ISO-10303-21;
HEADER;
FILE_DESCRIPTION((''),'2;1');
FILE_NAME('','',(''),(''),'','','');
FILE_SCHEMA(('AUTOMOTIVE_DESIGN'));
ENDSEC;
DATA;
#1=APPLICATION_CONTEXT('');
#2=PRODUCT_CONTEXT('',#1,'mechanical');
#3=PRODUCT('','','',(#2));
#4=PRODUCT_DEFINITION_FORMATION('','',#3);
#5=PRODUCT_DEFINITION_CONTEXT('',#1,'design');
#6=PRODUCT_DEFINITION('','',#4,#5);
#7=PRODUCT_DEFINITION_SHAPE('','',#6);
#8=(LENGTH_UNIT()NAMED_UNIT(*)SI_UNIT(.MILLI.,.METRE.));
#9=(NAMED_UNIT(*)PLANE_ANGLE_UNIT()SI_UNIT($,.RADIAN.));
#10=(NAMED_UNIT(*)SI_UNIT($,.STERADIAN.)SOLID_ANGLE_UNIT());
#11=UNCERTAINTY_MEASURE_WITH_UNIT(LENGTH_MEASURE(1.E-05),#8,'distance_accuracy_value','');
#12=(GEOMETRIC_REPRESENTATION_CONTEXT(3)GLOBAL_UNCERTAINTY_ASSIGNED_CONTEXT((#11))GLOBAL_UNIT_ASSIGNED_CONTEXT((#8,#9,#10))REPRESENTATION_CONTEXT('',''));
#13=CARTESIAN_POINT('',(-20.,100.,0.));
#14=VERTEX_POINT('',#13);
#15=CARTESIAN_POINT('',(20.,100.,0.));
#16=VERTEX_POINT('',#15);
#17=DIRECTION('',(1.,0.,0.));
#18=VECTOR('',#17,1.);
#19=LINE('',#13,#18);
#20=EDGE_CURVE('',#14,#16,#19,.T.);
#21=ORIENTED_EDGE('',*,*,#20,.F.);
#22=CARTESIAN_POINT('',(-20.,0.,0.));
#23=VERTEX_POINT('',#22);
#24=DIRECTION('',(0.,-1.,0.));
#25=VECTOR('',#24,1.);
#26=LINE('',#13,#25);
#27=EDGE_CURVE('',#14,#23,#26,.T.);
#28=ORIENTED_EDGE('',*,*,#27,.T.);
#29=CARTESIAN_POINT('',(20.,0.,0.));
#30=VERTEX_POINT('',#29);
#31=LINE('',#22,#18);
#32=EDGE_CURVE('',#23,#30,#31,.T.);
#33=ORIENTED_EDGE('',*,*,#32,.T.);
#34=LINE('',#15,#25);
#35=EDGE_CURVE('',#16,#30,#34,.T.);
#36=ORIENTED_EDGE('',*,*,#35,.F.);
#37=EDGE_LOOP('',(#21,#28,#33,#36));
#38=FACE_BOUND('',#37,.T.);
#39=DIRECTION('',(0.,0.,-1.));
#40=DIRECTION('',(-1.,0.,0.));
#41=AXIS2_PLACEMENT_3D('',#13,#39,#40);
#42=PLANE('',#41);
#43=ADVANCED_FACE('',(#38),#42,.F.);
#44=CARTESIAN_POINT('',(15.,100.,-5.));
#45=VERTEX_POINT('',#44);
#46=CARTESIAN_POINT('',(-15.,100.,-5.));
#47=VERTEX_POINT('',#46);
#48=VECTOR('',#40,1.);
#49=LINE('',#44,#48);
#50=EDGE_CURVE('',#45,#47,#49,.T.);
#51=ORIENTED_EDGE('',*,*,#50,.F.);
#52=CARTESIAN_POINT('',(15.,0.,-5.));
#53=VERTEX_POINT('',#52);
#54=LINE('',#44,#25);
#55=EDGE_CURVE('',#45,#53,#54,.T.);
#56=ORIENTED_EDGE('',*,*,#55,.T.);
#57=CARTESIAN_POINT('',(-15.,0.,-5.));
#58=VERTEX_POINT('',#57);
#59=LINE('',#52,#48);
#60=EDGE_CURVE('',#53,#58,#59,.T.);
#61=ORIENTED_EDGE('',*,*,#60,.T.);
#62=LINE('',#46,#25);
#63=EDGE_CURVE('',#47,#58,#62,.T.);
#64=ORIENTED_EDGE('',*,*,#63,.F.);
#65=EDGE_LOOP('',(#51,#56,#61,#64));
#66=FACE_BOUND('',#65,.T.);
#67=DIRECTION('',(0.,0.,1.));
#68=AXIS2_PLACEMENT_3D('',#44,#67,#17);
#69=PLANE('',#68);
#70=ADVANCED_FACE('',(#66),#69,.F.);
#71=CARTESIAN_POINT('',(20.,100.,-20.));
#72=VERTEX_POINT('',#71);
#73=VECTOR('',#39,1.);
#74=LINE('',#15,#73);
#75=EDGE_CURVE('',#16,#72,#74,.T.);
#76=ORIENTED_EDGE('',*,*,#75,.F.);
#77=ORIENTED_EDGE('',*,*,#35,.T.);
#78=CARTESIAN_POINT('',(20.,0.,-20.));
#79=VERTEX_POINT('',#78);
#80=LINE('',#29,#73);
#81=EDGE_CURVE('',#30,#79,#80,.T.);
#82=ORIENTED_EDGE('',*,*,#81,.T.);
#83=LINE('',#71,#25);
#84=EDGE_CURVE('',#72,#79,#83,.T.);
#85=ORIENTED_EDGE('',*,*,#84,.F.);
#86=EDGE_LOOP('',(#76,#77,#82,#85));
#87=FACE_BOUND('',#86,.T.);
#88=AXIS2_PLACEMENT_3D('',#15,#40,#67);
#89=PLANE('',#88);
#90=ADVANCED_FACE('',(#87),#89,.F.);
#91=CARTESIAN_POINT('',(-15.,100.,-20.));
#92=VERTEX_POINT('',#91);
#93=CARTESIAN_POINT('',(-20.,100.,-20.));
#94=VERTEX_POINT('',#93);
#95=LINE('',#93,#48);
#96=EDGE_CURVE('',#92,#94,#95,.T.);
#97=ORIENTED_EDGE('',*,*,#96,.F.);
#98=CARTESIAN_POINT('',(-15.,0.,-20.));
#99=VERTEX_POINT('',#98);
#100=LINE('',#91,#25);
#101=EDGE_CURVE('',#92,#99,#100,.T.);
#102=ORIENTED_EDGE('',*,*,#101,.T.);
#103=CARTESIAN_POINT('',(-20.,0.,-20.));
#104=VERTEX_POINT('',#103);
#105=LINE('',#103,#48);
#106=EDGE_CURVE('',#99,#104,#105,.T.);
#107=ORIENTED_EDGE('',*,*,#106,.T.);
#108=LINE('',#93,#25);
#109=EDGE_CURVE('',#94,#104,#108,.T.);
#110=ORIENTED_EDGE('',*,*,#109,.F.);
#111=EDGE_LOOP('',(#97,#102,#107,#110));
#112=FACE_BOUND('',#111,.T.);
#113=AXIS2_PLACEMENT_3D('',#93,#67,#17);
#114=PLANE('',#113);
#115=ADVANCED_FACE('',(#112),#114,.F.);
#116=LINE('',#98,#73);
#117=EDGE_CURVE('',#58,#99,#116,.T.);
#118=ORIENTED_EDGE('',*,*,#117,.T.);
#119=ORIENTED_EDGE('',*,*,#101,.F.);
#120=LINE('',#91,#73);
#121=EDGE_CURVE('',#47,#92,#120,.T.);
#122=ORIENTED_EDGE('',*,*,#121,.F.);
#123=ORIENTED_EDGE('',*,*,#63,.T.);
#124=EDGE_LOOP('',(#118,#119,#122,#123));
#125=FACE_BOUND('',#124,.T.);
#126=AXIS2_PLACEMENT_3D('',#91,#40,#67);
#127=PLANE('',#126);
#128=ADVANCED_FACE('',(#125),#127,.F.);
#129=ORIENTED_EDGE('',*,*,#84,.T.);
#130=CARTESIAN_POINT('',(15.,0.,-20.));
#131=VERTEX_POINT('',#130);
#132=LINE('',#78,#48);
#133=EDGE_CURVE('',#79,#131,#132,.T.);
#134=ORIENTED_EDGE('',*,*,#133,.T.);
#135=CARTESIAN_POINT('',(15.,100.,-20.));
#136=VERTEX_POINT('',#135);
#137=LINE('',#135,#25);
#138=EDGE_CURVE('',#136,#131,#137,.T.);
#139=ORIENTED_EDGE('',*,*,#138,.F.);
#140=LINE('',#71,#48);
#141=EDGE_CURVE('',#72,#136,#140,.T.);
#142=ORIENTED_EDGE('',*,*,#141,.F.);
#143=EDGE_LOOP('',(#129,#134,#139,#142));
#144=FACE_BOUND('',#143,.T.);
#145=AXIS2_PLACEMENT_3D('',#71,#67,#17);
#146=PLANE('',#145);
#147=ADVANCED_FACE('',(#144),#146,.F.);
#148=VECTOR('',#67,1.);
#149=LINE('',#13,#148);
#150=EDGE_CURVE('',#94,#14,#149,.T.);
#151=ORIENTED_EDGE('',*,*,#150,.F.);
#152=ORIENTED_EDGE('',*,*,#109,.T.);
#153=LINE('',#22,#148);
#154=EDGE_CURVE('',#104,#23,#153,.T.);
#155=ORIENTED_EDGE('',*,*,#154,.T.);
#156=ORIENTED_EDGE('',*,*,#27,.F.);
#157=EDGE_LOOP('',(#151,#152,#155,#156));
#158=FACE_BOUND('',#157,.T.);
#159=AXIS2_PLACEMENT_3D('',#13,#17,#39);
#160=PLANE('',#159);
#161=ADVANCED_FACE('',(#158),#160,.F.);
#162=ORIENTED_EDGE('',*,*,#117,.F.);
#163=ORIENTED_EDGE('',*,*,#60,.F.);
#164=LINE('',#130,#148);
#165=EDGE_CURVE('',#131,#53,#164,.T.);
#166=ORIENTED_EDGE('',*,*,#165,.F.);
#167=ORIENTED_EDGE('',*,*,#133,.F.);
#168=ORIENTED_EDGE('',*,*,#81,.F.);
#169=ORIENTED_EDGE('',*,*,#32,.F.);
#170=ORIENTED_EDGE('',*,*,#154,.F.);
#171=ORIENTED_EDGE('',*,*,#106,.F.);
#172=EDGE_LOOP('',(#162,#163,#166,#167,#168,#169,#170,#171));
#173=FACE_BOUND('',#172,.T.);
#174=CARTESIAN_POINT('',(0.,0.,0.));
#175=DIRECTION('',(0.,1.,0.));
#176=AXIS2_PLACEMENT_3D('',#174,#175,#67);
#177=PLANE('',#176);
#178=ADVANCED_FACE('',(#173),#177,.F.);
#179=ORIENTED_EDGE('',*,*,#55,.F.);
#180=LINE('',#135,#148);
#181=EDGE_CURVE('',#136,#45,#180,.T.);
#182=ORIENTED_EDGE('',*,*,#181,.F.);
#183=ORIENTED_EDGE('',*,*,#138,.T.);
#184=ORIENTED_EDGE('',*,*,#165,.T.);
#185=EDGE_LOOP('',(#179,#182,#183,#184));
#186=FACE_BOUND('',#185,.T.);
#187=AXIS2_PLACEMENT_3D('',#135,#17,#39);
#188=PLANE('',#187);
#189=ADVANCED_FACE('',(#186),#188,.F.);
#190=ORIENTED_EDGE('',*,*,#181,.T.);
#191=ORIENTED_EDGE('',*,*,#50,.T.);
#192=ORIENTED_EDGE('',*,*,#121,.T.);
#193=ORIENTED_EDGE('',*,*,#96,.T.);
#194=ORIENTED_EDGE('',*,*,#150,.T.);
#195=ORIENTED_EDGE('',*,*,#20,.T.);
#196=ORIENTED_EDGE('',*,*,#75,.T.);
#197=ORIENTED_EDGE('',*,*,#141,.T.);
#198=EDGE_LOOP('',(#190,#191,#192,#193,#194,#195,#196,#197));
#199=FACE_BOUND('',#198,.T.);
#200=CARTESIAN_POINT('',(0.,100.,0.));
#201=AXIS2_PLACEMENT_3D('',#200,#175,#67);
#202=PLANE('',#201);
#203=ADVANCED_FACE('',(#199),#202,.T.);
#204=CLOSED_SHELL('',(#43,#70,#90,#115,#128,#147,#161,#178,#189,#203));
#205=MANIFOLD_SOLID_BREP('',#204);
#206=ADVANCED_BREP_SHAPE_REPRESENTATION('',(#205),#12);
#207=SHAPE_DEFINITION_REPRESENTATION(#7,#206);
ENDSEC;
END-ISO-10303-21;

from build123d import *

# Parameters (mm, degrees)
BOSS_EXTRUDE1_DEPTH = 100


with BuildPart() as part:
    # Sketch1 → Boss-Extrude1 (new body)
    with BuildSketch(Plane(origin=(0, 0, 0), x_dir=(1, 0, 0), z_dir=(0, 1, 0))):
        Polygon((-20, 0), (20, 0), (20, 20), (15, 20), (15, 5), (-15, 5), (-15, 20), (-20, 20), align=None)
    extrude(amount=BOSS_EXTRUDE1_DEPTH)


solid = part.part
